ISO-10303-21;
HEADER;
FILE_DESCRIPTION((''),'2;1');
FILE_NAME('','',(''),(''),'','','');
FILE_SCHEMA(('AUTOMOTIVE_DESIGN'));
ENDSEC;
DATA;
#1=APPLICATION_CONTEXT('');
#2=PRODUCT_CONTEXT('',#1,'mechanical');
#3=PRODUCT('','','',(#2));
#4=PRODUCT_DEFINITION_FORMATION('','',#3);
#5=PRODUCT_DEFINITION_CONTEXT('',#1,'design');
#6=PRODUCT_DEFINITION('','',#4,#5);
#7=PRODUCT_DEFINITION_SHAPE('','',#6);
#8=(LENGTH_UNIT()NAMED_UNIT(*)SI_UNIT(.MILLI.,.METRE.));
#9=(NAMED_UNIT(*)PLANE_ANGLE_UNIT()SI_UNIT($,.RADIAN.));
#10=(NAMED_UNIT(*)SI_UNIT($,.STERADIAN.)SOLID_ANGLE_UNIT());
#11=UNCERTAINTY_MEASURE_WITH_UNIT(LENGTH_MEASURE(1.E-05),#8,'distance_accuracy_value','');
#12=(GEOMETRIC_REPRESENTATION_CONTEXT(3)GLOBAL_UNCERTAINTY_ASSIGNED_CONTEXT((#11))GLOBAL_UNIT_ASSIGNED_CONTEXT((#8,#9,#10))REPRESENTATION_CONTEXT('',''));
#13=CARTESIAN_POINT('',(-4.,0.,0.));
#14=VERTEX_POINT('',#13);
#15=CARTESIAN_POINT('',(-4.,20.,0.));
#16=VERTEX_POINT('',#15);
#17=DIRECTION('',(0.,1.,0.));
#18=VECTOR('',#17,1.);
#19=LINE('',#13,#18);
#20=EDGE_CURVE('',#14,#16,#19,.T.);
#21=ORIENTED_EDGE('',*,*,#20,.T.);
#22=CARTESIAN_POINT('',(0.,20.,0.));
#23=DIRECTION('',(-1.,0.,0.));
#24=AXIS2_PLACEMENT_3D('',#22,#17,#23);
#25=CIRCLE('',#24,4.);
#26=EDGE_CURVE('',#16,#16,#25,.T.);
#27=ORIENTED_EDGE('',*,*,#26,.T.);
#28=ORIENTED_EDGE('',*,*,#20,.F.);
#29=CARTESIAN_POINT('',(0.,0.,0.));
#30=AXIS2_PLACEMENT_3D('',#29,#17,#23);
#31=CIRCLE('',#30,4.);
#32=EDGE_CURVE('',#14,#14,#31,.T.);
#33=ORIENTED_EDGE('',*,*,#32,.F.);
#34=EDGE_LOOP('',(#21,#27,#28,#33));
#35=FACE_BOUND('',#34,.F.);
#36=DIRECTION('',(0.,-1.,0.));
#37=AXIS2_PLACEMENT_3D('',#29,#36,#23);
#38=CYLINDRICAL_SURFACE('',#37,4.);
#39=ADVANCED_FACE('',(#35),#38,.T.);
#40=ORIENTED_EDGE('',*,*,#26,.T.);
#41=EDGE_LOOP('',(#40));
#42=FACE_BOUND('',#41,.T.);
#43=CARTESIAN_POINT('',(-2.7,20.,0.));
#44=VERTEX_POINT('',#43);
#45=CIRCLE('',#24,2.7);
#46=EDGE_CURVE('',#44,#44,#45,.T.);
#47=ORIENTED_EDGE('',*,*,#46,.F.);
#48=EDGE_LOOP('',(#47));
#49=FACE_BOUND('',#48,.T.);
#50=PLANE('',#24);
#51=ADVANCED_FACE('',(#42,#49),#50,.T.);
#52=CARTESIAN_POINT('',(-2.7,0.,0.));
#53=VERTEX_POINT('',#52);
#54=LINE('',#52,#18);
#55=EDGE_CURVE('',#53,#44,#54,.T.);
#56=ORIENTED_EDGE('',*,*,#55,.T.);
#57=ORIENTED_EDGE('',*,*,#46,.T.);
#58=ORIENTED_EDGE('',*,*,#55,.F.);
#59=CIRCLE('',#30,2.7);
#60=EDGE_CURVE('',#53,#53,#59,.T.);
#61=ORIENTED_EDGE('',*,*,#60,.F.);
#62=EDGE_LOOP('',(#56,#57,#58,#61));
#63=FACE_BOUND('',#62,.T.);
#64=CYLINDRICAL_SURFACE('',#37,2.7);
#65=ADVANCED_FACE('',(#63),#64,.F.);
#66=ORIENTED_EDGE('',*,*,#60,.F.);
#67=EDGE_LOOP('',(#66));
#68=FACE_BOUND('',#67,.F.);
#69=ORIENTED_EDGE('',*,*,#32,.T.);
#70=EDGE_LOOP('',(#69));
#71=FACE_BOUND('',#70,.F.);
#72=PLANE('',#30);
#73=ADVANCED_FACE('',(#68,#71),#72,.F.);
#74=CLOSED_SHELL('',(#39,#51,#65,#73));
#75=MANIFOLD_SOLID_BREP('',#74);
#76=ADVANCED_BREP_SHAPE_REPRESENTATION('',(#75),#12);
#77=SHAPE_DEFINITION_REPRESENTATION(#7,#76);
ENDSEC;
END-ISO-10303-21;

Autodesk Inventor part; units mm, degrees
ref_plane "YZ Plane" through (0, 0, 0) normal (1, 0, 0) x (0, 1, 0)
ref_plane "XZ Plane" through (0, 0, 0) normal (0, 1, 0) x (-1, 0, 0)
ref_plane "XY Plane" through (0, 0, 0) normal (0, 0, 1) x (1, 0, 0)
sketch "Boceto1" plane through (0, 0, 0) normal (0, 1, 0) x (-1, 0, 0)
  circle A0 centre (0, 0) radius 2.7
  circle A1 centre (0, 0) radius 4
  dimension "d0" = 5.4
  dimension "d1" = 8
extrude "Extrusión1" add sketch "Boceto1" along normal blind 20
properties part number "Pulley support separator"
